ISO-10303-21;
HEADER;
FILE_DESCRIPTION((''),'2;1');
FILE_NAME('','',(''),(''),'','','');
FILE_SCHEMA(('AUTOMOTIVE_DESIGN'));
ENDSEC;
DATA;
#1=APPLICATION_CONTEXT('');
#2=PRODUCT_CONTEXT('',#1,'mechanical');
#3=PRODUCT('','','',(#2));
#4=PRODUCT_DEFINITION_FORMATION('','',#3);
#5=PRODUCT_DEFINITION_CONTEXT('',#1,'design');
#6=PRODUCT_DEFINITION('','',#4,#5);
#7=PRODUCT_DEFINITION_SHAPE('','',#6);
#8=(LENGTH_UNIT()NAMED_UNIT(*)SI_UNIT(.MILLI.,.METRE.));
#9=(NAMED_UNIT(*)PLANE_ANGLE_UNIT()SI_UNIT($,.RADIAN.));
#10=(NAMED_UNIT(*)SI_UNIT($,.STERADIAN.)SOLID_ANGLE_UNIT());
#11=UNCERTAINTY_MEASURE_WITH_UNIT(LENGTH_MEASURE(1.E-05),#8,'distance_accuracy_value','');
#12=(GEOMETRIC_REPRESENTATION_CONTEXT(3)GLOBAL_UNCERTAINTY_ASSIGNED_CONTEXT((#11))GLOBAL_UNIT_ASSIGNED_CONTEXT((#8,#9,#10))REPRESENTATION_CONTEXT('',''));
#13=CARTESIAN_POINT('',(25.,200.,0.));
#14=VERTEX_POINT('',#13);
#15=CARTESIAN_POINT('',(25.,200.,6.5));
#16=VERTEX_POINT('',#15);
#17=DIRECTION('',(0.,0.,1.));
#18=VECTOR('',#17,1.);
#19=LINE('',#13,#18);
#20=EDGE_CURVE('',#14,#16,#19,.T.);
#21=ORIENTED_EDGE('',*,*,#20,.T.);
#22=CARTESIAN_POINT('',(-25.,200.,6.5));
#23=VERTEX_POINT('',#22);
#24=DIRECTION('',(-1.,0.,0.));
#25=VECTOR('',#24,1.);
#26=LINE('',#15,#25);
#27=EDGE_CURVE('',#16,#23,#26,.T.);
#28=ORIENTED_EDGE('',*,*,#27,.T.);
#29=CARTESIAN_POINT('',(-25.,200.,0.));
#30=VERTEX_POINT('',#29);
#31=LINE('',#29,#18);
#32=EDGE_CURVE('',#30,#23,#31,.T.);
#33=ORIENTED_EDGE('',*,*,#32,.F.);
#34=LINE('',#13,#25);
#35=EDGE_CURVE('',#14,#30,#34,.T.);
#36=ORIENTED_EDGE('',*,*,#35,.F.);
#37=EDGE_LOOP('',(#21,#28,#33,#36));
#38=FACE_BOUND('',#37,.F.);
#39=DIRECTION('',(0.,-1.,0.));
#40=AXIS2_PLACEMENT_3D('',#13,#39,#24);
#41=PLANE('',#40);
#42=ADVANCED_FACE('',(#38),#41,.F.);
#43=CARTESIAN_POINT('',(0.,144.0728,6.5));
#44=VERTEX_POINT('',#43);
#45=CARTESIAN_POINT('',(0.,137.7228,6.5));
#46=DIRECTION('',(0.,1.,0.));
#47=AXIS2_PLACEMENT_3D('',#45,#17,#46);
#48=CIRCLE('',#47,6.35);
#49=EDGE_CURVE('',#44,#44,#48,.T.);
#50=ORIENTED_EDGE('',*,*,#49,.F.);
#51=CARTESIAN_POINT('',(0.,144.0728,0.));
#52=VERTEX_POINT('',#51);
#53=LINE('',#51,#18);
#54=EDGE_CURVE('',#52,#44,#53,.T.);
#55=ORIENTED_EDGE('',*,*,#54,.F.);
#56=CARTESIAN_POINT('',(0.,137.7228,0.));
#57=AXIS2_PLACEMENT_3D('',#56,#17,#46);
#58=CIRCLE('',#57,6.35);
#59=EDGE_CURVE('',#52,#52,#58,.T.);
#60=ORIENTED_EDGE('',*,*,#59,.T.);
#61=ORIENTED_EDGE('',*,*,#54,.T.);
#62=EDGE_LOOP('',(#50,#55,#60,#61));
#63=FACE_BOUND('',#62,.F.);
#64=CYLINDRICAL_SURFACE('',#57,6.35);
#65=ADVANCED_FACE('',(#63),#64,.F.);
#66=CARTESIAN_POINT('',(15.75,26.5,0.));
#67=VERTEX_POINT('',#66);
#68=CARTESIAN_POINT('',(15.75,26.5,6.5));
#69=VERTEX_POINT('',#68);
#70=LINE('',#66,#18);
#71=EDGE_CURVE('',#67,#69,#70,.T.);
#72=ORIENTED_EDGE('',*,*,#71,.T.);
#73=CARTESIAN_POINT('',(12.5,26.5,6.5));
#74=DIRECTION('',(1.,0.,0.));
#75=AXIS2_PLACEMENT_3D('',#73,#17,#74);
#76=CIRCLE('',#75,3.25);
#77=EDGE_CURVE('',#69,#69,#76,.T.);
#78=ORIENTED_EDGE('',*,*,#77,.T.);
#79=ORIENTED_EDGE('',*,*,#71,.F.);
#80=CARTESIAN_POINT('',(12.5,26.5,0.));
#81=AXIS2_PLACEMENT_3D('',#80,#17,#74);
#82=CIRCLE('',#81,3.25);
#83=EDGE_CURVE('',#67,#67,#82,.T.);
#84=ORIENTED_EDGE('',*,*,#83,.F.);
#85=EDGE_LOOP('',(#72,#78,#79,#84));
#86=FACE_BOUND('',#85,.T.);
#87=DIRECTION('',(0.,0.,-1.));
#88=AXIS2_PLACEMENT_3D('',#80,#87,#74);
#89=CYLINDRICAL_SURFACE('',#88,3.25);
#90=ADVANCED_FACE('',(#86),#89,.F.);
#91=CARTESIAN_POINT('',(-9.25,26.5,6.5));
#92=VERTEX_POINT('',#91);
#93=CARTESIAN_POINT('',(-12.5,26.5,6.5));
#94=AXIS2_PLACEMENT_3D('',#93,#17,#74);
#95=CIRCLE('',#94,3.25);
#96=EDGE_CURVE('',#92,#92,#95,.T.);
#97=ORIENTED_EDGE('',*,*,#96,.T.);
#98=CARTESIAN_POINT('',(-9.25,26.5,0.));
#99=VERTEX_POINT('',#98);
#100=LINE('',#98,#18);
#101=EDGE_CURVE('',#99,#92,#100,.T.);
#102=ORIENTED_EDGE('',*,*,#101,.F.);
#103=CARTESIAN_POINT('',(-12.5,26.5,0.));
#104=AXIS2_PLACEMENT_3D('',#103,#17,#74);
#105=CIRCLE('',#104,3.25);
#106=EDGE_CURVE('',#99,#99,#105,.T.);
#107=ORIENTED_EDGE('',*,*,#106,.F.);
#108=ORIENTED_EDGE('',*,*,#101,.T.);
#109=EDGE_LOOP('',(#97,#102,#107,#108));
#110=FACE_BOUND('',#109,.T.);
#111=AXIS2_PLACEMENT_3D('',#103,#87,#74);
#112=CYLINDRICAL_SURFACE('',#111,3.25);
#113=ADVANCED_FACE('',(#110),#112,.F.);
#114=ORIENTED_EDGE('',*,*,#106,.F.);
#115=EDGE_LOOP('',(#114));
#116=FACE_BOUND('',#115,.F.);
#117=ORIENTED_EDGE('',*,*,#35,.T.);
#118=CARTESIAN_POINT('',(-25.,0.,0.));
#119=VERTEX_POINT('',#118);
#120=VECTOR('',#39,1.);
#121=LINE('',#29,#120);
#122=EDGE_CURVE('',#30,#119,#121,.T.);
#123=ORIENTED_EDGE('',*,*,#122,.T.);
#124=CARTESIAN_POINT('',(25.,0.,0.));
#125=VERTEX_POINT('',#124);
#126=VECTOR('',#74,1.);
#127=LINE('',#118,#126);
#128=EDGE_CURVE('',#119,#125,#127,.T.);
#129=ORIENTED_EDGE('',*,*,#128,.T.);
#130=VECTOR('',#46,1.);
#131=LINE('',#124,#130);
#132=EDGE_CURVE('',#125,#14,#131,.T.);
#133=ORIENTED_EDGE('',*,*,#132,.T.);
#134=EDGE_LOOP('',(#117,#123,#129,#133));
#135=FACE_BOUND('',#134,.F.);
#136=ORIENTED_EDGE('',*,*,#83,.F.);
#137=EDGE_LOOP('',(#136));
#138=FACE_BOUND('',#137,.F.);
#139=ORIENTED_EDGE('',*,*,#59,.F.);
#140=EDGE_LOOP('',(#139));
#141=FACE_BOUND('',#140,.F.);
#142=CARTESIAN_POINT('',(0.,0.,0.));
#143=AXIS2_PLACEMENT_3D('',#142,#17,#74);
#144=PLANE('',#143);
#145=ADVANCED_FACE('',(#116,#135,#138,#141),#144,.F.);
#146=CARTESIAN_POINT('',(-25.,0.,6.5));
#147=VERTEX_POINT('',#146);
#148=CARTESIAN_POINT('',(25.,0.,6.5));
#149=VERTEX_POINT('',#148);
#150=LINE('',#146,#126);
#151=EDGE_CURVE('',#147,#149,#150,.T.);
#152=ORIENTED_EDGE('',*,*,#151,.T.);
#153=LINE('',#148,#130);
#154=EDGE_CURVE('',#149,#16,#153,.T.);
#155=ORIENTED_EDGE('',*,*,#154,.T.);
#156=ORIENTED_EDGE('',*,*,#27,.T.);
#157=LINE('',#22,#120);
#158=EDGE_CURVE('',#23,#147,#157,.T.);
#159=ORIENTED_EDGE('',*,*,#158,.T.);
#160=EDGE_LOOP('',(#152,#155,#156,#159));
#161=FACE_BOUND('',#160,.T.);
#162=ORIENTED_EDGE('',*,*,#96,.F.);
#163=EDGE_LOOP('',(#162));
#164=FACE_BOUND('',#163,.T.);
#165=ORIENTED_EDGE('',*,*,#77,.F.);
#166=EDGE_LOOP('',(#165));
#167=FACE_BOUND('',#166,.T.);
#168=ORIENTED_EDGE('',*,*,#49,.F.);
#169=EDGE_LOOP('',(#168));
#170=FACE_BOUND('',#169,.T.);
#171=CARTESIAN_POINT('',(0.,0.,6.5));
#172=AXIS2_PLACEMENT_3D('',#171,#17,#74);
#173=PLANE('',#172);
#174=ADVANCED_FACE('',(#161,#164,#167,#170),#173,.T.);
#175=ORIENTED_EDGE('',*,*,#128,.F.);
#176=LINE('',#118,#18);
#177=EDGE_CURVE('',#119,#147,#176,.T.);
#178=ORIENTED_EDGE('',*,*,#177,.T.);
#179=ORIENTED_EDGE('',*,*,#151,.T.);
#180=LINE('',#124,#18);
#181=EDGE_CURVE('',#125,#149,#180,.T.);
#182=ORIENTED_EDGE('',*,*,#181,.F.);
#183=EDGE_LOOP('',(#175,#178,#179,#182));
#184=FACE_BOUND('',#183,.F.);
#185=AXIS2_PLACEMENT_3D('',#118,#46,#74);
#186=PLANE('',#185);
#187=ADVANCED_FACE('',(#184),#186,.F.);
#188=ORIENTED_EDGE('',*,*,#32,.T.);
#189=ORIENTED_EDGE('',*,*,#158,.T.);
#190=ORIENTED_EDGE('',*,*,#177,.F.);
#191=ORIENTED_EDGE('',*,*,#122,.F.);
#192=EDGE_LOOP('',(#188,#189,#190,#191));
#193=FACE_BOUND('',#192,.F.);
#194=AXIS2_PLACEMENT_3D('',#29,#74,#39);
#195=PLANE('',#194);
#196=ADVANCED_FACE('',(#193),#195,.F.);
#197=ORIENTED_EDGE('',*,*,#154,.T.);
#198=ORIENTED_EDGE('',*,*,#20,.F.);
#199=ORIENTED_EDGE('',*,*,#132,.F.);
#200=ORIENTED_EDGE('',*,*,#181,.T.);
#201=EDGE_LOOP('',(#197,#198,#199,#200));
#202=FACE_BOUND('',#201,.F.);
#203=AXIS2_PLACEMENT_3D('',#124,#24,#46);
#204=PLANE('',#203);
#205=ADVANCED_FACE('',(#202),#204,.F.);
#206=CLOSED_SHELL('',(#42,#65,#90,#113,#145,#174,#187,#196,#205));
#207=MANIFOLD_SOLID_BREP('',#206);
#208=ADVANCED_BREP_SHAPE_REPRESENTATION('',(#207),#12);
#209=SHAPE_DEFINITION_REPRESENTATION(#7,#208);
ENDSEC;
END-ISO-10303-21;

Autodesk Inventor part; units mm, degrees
ref_plane "YZ Plane" through (0, 0, 0) normal (1, 0, 0) x (0, 1, 0)
ref_plane "XZ Plane" through (0, 0, 0) normal (0, 1, 0) x (-1, 0, 0)
ref_plane "XY Plane" through (0, 0, 0) normal (0, 0, 1) x (1, 0, 0)
sketch "Sketch1" plane through (0, 0, 0) normal (0, 0, 1) x (1, 0, 0)
  line L0 (-25, 0) -> (25, 0)
  line L1 (25, 0) -> (25, 200)
  line L2 (25, 200) -> (-25, 200)
  line L3 (-25, 200) -> (-25, 0)
  circle A0 centre (-12.5, 26.5) radius 3.25
  circle A1 centre (12.5, 26.5) radius 3.25
  point P0 (0, 0)
  dimension "d0" = 50
  dimension "d1" = 200
  dimension "d2" = 6.5
  dimension "d3" = 6.5
extrude "Extrusion1" add sketch "Sketch1" along normal blind 6.5
sketch "Sketch3" plane through (0, 0, 0) normal (0, 0, -1) x (-1, 0, 0)
  circle A0 centre (0, 137.7228) radius 6.35
  point P0 (0, 0)
  dimension "d7" = 12.7
hole "Hole1" at (0, 137.7228, 0) direction (0, 0, 1) diameter 12.7 end through all
properties part number "Worm Support"
